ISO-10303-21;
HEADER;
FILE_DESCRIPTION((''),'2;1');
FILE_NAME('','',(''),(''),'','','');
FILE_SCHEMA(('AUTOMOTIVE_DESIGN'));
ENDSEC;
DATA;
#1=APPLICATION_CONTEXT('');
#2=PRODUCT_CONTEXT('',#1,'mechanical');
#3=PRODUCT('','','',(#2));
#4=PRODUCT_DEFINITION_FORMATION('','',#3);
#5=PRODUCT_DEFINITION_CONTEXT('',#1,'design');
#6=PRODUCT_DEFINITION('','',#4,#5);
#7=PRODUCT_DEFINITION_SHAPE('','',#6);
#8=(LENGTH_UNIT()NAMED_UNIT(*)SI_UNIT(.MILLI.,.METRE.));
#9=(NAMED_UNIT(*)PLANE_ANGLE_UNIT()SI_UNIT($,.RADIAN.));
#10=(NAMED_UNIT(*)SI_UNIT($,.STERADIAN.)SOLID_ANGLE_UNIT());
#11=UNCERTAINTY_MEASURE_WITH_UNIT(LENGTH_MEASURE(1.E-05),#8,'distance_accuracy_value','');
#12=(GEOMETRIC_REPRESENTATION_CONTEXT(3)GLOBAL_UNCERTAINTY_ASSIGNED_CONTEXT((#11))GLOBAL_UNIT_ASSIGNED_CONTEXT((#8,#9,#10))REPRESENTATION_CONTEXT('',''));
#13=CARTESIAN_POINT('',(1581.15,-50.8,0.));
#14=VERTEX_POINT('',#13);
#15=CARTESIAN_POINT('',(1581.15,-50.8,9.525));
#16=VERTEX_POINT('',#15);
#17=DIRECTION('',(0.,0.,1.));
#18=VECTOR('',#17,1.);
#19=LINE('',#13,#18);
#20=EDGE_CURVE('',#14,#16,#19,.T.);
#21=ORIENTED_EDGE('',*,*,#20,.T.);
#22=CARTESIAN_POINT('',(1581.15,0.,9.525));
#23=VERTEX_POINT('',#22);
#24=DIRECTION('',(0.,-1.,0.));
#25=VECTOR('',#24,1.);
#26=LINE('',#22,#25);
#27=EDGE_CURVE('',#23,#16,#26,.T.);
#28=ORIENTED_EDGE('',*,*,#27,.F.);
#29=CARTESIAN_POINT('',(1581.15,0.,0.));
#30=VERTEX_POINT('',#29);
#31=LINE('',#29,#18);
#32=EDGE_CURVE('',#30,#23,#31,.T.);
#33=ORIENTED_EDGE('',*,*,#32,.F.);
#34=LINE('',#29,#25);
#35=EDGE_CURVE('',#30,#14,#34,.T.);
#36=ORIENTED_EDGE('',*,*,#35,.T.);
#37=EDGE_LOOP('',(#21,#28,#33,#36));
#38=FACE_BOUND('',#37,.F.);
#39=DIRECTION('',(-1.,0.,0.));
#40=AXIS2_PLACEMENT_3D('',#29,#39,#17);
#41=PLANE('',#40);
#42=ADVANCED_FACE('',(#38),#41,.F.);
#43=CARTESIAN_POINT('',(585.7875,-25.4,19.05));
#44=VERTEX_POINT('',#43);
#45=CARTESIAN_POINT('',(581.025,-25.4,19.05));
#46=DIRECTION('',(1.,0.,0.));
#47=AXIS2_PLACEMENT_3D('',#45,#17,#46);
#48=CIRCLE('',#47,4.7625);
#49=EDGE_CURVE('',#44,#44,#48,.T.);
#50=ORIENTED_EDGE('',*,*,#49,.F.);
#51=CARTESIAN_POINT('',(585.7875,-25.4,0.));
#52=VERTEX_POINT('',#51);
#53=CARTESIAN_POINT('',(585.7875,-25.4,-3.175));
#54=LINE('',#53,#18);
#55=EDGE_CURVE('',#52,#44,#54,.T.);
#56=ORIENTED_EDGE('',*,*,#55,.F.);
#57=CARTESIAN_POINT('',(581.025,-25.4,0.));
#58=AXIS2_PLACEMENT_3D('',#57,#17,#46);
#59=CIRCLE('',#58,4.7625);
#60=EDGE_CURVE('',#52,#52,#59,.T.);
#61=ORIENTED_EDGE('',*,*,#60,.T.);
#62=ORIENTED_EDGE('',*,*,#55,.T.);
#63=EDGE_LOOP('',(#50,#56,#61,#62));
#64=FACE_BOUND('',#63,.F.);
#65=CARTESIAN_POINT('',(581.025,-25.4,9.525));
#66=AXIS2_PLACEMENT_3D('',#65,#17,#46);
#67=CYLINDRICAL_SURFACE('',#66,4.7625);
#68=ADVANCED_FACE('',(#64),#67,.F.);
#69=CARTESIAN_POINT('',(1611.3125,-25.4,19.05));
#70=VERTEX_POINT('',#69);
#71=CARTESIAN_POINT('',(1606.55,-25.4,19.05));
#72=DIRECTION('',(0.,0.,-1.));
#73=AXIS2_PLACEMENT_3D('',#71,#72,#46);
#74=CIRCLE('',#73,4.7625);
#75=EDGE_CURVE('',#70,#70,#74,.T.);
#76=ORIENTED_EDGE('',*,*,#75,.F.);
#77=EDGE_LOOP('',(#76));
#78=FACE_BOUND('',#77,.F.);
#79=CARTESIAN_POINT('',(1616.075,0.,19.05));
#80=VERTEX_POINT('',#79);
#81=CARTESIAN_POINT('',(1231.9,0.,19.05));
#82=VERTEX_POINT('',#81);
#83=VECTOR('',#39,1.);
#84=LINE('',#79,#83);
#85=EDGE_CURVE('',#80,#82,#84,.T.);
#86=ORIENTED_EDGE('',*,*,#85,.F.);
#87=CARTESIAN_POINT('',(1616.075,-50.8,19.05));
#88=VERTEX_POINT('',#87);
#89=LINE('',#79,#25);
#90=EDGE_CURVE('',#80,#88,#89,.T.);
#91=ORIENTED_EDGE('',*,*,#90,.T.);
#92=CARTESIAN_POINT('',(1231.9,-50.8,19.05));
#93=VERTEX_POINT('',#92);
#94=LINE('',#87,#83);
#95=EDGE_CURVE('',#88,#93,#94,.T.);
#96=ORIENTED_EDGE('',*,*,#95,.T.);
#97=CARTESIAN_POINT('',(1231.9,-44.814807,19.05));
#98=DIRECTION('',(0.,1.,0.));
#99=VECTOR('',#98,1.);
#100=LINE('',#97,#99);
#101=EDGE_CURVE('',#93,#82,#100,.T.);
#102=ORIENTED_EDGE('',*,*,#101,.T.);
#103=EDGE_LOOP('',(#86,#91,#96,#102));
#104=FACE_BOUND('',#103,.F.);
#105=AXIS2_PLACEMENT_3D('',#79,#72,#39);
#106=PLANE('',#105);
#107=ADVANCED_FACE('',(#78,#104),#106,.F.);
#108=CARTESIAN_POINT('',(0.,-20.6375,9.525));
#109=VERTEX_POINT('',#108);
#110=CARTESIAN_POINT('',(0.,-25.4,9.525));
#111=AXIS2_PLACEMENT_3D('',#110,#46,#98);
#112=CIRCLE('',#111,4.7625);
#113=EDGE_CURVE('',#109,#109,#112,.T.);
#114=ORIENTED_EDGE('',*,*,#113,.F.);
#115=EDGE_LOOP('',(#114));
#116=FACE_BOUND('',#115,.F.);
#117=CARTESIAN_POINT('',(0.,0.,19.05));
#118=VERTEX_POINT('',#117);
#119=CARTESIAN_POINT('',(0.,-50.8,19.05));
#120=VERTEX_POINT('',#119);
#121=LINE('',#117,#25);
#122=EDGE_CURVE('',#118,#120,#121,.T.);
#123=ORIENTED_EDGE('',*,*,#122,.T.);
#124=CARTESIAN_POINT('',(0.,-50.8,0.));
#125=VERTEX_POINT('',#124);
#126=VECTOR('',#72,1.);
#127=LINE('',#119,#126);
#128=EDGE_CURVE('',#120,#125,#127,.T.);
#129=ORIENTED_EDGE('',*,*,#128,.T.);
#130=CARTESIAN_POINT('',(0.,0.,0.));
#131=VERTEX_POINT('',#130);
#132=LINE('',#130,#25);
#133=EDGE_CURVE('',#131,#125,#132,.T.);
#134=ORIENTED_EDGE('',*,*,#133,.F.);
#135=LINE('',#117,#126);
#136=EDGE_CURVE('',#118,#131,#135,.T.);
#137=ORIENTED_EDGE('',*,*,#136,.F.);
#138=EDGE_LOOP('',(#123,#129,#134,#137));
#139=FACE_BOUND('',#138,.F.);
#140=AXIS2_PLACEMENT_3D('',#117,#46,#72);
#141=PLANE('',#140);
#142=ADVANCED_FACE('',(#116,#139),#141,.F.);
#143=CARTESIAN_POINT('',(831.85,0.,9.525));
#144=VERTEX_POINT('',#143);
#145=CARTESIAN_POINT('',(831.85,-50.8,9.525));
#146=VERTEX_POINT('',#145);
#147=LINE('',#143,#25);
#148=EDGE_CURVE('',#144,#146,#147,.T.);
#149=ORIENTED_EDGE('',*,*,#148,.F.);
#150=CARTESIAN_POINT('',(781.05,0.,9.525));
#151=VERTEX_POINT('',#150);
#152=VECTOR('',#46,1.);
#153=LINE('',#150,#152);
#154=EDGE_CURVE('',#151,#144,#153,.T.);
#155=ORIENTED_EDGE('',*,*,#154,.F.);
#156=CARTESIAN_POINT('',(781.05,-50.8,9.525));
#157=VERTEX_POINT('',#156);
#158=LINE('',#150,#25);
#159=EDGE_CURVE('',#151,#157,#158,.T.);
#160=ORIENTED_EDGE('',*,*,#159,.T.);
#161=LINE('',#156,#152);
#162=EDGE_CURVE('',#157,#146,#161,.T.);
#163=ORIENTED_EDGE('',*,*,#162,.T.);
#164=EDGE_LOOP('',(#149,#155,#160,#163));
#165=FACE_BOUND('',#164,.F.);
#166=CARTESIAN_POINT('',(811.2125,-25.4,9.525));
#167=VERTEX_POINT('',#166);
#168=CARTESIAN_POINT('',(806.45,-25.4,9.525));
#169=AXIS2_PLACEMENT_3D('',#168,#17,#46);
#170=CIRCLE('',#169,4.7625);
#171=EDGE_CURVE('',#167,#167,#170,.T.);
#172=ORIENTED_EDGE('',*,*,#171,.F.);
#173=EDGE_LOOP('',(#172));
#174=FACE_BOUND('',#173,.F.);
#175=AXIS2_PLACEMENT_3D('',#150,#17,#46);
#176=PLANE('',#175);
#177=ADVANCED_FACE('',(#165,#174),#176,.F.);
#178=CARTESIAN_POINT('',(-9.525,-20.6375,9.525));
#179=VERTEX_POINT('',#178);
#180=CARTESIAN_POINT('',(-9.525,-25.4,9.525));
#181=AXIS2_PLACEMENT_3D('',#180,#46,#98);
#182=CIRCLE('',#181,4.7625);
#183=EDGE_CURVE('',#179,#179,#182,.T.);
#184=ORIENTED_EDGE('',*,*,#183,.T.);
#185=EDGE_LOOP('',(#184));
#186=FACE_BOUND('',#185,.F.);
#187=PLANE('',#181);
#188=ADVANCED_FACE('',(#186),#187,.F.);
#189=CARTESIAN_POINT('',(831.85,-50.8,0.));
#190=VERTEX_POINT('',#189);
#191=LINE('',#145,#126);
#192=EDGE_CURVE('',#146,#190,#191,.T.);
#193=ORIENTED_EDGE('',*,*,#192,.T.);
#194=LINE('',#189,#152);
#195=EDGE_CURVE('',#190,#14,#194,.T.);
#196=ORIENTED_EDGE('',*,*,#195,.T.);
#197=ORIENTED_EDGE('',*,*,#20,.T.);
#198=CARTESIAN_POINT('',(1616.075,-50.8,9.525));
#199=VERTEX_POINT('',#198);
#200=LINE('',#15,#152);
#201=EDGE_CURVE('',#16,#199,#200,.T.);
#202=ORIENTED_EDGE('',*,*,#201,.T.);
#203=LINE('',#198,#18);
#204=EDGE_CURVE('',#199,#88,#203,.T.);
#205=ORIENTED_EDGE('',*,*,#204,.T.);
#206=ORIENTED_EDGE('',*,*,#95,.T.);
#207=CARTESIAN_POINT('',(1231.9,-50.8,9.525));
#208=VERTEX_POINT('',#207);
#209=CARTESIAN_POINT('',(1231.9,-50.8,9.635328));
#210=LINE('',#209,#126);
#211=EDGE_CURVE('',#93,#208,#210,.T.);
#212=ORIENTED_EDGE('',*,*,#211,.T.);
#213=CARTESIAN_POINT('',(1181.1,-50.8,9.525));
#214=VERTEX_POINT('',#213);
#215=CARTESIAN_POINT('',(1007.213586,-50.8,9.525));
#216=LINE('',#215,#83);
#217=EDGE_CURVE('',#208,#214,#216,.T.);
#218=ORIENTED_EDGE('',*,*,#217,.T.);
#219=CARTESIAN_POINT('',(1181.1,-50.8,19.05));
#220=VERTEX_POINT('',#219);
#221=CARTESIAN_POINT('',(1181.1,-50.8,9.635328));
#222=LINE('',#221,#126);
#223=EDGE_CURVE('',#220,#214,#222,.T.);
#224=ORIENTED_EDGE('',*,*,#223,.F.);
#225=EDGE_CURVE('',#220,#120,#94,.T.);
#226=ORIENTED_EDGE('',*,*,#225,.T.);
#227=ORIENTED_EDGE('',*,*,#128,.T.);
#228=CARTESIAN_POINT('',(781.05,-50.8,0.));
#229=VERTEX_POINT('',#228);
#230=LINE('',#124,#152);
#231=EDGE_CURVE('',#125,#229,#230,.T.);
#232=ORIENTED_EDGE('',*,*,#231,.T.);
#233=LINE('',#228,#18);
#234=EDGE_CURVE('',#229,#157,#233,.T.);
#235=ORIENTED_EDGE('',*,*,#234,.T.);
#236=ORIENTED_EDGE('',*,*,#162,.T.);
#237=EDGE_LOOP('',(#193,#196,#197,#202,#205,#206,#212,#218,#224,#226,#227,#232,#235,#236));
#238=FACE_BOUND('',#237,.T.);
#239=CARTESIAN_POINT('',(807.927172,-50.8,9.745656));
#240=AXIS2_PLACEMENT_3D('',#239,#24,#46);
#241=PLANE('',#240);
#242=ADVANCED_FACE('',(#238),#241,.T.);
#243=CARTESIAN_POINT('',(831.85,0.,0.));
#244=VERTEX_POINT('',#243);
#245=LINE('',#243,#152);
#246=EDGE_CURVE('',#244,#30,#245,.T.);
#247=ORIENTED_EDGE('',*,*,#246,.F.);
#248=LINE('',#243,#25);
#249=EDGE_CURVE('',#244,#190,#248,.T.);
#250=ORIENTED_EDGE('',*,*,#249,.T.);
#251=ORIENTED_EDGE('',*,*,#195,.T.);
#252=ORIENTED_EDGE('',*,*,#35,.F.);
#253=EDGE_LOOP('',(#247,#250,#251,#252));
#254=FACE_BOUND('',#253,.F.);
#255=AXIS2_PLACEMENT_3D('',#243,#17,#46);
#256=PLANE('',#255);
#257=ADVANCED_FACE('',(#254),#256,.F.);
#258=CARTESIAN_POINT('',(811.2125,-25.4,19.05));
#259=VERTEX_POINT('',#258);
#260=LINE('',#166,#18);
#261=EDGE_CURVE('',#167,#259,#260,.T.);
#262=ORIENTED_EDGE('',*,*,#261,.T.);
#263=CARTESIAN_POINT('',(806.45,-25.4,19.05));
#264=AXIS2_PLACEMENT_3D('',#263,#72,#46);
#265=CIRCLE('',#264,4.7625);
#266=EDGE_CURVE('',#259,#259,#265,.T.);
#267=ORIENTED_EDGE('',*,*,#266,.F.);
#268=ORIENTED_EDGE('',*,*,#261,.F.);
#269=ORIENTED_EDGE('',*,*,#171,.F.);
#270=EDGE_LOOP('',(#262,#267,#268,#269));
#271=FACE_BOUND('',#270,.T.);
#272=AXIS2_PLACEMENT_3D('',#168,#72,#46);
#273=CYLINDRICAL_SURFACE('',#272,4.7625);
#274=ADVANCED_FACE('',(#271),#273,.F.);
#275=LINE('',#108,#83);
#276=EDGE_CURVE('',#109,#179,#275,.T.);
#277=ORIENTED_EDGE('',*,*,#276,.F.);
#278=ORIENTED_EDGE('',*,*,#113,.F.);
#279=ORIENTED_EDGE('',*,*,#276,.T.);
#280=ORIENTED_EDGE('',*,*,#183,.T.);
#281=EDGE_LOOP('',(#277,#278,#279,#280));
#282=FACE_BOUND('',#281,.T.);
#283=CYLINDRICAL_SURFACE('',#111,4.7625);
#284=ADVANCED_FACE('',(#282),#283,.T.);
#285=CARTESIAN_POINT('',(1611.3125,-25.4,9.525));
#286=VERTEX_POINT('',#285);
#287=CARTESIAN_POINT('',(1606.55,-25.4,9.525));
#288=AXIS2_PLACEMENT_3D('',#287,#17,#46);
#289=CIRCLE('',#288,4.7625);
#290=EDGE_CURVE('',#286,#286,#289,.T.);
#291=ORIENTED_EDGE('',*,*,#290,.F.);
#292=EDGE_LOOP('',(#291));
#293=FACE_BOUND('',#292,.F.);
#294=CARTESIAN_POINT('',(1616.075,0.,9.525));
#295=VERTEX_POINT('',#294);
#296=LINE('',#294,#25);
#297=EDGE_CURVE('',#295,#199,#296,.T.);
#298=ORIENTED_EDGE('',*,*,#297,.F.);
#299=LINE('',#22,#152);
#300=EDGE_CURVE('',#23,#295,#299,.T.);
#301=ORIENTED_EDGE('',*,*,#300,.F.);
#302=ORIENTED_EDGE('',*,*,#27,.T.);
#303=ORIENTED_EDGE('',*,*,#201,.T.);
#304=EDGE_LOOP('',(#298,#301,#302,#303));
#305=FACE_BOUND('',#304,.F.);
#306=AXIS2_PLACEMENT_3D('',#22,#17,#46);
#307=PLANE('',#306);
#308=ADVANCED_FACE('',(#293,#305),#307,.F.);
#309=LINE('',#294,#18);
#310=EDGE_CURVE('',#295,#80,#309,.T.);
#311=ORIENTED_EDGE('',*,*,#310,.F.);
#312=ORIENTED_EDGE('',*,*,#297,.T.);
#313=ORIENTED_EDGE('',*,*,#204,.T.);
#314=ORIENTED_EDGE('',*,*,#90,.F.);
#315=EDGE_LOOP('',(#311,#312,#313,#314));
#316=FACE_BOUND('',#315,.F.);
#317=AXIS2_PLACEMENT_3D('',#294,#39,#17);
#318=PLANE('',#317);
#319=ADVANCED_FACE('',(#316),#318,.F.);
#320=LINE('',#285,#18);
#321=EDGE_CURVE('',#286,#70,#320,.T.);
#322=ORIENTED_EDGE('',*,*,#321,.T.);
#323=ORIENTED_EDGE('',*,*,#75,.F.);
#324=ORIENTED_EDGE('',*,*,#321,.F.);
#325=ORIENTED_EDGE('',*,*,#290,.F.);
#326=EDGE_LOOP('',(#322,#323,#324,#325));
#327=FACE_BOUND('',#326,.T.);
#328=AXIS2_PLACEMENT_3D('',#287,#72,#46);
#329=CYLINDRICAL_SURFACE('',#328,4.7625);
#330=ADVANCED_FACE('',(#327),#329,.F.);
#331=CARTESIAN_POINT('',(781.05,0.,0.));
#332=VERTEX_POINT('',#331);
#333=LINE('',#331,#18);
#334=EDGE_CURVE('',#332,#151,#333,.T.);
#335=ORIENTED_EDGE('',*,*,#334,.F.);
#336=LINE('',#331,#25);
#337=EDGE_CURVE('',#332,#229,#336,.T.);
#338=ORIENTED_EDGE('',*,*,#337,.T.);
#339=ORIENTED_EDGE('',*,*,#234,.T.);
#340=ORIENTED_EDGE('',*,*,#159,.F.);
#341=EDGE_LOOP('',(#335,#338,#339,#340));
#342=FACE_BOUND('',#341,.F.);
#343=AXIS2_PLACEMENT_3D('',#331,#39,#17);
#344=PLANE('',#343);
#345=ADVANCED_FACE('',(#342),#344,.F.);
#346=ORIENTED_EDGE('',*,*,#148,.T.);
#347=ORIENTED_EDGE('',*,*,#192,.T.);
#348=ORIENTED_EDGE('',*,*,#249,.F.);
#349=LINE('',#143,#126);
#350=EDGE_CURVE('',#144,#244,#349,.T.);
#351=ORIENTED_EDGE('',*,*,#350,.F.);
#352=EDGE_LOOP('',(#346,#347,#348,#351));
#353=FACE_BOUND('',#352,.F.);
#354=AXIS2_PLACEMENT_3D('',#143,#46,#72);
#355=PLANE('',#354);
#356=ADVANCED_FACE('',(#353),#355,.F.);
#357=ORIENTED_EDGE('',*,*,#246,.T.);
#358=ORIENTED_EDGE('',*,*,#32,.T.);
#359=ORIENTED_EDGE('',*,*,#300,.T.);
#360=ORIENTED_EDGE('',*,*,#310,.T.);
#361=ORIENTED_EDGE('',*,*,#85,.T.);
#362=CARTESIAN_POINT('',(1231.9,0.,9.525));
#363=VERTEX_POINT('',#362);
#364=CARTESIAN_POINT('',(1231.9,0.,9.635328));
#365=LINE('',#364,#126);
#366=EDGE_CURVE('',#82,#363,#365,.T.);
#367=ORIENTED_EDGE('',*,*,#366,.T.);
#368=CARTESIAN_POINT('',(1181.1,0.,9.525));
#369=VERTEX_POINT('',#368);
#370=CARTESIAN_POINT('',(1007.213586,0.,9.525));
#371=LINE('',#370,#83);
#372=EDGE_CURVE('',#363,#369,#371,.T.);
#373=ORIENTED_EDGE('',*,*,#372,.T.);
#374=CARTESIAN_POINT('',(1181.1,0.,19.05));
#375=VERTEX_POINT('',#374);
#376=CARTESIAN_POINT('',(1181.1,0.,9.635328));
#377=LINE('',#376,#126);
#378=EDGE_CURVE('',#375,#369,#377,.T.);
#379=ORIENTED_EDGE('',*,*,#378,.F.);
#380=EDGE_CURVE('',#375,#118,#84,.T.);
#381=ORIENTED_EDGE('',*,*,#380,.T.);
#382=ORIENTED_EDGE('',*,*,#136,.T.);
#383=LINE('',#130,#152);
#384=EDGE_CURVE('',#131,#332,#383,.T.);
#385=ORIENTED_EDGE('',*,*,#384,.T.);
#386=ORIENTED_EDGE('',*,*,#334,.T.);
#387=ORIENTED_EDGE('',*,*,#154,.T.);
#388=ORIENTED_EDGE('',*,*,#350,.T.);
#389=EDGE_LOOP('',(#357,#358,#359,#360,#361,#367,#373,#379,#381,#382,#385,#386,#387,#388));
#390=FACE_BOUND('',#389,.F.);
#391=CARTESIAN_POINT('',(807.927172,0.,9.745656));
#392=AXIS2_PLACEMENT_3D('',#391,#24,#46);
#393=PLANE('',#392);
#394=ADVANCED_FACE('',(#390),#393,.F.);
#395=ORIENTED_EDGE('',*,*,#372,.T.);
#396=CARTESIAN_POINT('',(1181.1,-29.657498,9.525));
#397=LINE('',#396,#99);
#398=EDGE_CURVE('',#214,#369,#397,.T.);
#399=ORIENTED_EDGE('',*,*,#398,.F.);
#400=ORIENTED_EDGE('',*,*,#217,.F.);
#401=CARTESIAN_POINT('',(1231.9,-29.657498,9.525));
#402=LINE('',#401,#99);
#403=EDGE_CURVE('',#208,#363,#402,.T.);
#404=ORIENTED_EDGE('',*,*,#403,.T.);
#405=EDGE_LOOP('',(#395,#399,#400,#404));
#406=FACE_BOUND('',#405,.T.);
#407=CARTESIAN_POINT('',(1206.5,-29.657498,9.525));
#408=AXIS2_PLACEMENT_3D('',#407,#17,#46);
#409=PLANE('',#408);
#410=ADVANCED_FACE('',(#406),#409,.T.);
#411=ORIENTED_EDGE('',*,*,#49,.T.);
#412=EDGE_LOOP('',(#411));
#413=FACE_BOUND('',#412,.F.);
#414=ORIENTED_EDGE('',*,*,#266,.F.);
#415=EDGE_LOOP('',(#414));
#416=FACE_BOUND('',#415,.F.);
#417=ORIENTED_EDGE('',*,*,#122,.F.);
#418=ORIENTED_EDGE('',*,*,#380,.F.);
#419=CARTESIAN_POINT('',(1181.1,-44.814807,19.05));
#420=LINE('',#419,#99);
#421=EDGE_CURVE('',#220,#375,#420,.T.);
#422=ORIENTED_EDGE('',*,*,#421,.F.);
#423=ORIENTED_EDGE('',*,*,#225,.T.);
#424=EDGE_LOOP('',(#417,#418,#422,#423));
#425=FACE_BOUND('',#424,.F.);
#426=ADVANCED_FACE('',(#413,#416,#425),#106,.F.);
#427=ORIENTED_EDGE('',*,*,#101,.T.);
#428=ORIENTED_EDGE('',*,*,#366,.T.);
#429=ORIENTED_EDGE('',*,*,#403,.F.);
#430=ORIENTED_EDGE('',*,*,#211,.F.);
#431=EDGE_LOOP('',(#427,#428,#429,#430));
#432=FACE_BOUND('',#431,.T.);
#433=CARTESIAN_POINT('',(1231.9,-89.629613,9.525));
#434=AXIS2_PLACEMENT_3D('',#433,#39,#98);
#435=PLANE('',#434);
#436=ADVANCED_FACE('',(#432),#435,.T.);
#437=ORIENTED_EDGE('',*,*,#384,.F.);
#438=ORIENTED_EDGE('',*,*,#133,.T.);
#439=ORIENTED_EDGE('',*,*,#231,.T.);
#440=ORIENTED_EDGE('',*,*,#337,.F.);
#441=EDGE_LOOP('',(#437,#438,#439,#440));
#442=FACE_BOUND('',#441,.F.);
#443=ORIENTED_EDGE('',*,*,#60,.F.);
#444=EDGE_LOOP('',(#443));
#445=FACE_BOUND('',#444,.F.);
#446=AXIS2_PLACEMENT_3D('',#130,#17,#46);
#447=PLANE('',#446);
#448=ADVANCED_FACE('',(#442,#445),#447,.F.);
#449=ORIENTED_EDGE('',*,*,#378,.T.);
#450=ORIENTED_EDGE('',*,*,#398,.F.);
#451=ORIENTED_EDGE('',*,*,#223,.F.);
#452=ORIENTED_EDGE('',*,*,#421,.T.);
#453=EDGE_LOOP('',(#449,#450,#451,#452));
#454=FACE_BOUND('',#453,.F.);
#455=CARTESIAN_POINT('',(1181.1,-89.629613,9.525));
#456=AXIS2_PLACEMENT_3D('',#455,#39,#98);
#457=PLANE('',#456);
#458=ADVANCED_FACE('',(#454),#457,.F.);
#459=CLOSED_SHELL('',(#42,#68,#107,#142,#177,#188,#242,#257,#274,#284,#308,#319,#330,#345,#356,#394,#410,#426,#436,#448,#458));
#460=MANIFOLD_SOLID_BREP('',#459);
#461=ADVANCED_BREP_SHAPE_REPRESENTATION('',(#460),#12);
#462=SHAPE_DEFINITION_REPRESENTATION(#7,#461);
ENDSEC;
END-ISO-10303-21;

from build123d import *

# Parameters (mm, degrees)
F1_DEPTH = 50.8
F3_R     = 4.7625
F4_DEPTH = 12.7
F5_R     = 4.7625
F6_DEPTH = 9.525
F7_W     = 50.8
F7_H     = 119.94423
F8_DEPTH = 25.4


with BuildPart() as f1:
    # F0 (on Front) → F1 (new body)
    with BuildSketch(Plane.XZ):
        Polygon((1616.075, 9.525), (1616.075, 19.05), (0, 19.05), (0, 0), (781.05, 0), (781.05, 9.525), (831.85, 9.525), (831.85, 0), (1581.15, 0), (1581.15, 9.525), align=None)
    extrude(amount=F1_DEPTH)

    # F3 (on offset) → F4 (cut, symmetric)
    with BuildSketch(Plane.XY.offset(9.525)):
        with Locations((806.45, -25.4)):
            Circle(F3_R)
        with Locations((1606.55, -25.4)):
            Circle(F3_R)
        with Locations((581.025, -25.4)):
            Circle(F3_R)
    extrude(amount=F4_DEPTH, both=True, mode=Mode.SUBTRACT)

    # F5 (on Right) → F6 (join)
    with BuildSketch(Plane.YZ):
        with Locations((-25.4, 9.525)):
            Circle(F5_R)
    extrude(amount=-F6_DEPTH)

    # F7 (on offset) → F8 (cut)
    with BuildSketch(Plane.XY.offset(9.525)):
        with Locations((1206.5, -29.657498)):
            Rectangle(F7_W, F7_H)
    extrude(amount=F8_DEPTH, mode=Mode.SUBTRACT)


solid = f1.part
